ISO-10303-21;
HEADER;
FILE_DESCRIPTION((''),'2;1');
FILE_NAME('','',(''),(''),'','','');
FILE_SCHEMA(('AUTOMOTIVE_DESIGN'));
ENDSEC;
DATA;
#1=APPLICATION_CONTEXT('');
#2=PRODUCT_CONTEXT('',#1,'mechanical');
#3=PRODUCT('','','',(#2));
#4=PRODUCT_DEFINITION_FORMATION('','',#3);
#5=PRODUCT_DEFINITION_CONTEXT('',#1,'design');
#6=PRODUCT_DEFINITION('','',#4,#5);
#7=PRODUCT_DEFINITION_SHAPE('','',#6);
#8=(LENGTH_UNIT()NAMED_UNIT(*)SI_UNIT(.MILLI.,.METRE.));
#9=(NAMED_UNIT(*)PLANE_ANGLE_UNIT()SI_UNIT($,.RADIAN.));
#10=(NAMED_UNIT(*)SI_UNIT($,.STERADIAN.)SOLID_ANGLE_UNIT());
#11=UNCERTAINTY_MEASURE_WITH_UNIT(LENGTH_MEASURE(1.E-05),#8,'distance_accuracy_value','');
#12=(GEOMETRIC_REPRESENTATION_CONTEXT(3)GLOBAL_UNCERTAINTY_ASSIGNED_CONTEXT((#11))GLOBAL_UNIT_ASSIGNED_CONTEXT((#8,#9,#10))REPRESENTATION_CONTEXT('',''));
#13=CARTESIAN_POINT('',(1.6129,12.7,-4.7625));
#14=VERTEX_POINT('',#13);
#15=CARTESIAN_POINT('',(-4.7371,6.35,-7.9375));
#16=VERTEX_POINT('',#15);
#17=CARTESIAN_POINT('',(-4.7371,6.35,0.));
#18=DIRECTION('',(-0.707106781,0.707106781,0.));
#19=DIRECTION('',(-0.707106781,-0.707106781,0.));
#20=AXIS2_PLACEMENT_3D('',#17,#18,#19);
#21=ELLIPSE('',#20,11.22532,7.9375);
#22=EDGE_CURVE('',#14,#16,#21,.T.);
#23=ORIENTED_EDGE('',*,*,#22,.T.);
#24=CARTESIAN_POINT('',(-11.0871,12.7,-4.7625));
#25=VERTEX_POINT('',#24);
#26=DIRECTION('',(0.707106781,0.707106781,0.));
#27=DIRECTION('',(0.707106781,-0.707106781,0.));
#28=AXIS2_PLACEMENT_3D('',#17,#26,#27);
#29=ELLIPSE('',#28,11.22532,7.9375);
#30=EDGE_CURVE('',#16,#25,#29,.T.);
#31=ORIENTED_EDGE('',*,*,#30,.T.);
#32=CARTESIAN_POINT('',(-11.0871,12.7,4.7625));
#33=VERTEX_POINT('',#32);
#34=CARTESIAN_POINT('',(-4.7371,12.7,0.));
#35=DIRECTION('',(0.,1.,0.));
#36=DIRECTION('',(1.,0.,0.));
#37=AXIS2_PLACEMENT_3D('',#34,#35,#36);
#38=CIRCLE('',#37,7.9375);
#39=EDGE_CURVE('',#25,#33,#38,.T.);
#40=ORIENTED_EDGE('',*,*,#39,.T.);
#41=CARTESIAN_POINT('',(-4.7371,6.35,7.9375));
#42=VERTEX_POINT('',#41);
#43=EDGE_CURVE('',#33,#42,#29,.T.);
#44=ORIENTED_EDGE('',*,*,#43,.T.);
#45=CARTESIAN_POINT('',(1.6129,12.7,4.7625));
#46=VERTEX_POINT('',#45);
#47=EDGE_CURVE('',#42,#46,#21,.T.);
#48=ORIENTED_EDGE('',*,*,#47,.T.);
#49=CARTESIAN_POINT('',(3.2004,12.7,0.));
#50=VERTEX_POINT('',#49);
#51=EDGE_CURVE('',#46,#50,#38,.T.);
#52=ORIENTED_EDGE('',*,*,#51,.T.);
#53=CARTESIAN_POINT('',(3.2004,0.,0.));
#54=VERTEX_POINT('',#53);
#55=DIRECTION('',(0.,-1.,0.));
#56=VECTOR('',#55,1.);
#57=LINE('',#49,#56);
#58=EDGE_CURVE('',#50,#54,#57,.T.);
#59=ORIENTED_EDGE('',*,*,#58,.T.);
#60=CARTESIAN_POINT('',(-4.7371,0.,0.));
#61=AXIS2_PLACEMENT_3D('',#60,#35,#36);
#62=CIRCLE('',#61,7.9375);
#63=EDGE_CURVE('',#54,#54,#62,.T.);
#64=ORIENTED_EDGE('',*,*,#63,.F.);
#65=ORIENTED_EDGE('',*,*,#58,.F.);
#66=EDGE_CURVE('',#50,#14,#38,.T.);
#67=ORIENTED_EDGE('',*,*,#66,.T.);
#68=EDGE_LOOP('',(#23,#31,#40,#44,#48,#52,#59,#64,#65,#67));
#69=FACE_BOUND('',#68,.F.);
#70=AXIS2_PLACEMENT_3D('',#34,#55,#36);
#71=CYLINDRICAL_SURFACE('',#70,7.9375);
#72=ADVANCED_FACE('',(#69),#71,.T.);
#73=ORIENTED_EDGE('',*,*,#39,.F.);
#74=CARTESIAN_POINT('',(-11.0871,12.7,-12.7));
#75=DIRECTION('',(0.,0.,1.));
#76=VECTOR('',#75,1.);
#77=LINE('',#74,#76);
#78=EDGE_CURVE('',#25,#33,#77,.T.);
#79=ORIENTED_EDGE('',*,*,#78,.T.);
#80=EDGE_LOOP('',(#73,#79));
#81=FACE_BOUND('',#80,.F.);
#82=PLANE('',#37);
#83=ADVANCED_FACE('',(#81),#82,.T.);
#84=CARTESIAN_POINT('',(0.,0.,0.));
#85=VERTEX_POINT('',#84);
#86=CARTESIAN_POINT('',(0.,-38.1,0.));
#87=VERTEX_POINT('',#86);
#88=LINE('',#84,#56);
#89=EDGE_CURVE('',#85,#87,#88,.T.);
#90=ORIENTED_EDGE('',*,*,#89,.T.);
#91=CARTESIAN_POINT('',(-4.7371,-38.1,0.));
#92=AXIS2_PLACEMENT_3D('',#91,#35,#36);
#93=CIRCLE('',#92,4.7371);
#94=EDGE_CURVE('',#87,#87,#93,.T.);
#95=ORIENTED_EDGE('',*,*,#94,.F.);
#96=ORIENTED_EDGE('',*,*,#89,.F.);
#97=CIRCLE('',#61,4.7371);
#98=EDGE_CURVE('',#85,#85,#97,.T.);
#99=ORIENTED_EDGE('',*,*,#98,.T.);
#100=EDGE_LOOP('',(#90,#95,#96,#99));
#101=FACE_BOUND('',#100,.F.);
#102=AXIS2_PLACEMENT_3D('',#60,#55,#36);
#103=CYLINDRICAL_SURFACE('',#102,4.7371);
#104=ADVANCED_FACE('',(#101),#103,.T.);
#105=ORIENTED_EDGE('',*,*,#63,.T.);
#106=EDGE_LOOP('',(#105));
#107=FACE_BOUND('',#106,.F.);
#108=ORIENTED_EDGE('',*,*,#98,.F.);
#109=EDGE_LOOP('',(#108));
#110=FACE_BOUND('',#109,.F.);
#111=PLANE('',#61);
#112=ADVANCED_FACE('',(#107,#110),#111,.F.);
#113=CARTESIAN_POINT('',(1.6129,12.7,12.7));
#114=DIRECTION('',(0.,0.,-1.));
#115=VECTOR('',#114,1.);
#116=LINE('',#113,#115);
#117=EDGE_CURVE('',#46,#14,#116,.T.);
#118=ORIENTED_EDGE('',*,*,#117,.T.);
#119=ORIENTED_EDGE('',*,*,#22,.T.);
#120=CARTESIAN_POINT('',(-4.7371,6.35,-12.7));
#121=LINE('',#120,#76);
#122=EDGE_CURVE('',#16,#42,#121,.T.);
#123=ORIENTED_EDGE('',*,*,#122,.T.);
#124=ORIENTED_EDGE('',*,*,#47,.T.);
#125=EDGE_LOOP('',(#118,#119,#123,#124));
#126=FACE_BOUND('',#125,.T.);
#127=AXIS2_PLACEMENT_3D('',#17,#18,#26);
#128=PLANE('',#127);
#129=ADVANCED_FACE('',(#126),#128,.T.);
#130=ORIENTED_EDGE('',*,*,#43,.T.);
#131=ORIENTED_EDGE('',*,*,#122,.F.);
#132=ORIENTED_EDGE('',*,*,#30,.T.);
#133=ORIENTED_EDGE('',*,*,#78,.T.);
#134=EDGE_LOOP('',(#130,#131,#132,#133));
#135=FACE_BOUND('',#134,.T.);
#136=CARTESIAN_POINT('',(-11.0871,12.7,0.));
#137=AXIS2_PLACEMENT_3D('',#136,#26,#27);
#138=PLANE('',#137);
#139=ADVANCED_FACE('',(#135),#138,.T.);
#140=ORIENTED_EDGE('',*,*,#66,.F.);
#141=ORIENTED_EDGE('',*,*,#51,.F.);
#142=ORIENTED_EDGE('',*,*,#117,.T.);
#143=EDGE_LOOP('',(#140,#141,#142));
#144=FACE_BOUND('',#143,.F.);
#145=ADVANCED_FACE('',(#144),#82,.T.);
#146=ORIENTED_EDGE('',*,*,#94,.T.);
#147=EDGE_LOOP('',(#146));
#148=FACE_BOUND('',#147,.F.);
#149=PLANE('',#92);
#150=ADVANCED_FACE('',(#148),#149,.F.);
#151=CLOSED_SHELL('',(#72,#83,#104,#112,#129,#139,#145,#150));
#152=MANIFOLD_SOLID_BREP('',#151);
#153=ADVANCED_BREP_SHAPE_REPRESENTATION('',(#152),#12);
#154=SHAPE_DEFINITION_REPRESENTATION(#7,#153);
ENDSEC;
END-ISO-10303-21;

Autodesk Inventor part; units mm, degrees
ref_plane "YZ Plane" through (0, 0, 0) normal (1, 0, 0) x (0, 1, 0)
ref_plane "XZ Plane" through (0, 0, 0) normal (0, 1, 0) x (-1, 0, 0)
ref_plane "XY Plane" through (0, 0, 0) normal (0, 0, 1) x (1, 0, 0)
sketch "Sketch1" plane through (0, 0, 0) normal (0, 0, 1) x (1, 0, 0)
  line L0 (-4.7371, 12.7) -> (3.2004, 12.7)
  line L1 (3.2004, 12.7) -> (3.2004, 0)
  line L2 (3.2004, 0) -> (0, 0)
  line L3 (0, 0) -> (0, -38.1)
  line L4 (0, -38.1) -> (-4.7371, -38.1)
  line L5 (-4.7371, -38.1) -> (-4.7371, 12.7)
  dimension "d0" = 9.4742
  dimension "d1" = 12.7
  dimension "d2" = 15.875
  dimension "d3" = 50.8
revolve "Revolution1" add sketch "Sketch1" angle 360 about axis through (-4.7371, -38.1, 0) along (0, 1, 0)
sketch "Sketch3" plane through (0, 0, 0) normal (0, 0, 1) x (1, 0, 0)
  line L0 (-12.6746, 12.7) -> (3.2004, 12.7) projected
  line L1 (-12.6746, 0) -> (3.2004, 0) projected
  line L2 (-12.6746, 12.7) -> (3.2004, 12.7) projected
  line L3 (-11.0871, 12.7) -> (-4.7371, 6.35)
  line L4 (-4.7371, 6.35) -> (1.6129, 12.7)
  line L5 (-12.6746, 12.7) -> (3.2004, 12.7) projected
  line L6 (3.2004, 12.7) -> (3.2004, 0) projected
  line L7 (3.2004, 0) -> (0, 0) projected
  line L8 (0, 0) -> (0, -38.1) projected
  line L9 (0, -38.1) -> (-9.4742, -38.1) projected
  line L10 (-9.4742, -38.1) -> (-9.4742, 0) projected
  line L11 (-9.4742, 0) -> (-12.6746, 0) projected
  line L12 (-12.6746, 0) -> (-12.6746, 12.7) projected
  dimension "d5" = 1.5875
  dimension "d6" = 1.5875
  dimension "d7" = 45
  dimension "d8" = 45
extrude "Extrusion1" cut sketch "Sketch3" along normal mid plane 25.4 contours L0 L4 L3
properties part number "Yunque V" material "Steel AISI 1045 HV HR"
